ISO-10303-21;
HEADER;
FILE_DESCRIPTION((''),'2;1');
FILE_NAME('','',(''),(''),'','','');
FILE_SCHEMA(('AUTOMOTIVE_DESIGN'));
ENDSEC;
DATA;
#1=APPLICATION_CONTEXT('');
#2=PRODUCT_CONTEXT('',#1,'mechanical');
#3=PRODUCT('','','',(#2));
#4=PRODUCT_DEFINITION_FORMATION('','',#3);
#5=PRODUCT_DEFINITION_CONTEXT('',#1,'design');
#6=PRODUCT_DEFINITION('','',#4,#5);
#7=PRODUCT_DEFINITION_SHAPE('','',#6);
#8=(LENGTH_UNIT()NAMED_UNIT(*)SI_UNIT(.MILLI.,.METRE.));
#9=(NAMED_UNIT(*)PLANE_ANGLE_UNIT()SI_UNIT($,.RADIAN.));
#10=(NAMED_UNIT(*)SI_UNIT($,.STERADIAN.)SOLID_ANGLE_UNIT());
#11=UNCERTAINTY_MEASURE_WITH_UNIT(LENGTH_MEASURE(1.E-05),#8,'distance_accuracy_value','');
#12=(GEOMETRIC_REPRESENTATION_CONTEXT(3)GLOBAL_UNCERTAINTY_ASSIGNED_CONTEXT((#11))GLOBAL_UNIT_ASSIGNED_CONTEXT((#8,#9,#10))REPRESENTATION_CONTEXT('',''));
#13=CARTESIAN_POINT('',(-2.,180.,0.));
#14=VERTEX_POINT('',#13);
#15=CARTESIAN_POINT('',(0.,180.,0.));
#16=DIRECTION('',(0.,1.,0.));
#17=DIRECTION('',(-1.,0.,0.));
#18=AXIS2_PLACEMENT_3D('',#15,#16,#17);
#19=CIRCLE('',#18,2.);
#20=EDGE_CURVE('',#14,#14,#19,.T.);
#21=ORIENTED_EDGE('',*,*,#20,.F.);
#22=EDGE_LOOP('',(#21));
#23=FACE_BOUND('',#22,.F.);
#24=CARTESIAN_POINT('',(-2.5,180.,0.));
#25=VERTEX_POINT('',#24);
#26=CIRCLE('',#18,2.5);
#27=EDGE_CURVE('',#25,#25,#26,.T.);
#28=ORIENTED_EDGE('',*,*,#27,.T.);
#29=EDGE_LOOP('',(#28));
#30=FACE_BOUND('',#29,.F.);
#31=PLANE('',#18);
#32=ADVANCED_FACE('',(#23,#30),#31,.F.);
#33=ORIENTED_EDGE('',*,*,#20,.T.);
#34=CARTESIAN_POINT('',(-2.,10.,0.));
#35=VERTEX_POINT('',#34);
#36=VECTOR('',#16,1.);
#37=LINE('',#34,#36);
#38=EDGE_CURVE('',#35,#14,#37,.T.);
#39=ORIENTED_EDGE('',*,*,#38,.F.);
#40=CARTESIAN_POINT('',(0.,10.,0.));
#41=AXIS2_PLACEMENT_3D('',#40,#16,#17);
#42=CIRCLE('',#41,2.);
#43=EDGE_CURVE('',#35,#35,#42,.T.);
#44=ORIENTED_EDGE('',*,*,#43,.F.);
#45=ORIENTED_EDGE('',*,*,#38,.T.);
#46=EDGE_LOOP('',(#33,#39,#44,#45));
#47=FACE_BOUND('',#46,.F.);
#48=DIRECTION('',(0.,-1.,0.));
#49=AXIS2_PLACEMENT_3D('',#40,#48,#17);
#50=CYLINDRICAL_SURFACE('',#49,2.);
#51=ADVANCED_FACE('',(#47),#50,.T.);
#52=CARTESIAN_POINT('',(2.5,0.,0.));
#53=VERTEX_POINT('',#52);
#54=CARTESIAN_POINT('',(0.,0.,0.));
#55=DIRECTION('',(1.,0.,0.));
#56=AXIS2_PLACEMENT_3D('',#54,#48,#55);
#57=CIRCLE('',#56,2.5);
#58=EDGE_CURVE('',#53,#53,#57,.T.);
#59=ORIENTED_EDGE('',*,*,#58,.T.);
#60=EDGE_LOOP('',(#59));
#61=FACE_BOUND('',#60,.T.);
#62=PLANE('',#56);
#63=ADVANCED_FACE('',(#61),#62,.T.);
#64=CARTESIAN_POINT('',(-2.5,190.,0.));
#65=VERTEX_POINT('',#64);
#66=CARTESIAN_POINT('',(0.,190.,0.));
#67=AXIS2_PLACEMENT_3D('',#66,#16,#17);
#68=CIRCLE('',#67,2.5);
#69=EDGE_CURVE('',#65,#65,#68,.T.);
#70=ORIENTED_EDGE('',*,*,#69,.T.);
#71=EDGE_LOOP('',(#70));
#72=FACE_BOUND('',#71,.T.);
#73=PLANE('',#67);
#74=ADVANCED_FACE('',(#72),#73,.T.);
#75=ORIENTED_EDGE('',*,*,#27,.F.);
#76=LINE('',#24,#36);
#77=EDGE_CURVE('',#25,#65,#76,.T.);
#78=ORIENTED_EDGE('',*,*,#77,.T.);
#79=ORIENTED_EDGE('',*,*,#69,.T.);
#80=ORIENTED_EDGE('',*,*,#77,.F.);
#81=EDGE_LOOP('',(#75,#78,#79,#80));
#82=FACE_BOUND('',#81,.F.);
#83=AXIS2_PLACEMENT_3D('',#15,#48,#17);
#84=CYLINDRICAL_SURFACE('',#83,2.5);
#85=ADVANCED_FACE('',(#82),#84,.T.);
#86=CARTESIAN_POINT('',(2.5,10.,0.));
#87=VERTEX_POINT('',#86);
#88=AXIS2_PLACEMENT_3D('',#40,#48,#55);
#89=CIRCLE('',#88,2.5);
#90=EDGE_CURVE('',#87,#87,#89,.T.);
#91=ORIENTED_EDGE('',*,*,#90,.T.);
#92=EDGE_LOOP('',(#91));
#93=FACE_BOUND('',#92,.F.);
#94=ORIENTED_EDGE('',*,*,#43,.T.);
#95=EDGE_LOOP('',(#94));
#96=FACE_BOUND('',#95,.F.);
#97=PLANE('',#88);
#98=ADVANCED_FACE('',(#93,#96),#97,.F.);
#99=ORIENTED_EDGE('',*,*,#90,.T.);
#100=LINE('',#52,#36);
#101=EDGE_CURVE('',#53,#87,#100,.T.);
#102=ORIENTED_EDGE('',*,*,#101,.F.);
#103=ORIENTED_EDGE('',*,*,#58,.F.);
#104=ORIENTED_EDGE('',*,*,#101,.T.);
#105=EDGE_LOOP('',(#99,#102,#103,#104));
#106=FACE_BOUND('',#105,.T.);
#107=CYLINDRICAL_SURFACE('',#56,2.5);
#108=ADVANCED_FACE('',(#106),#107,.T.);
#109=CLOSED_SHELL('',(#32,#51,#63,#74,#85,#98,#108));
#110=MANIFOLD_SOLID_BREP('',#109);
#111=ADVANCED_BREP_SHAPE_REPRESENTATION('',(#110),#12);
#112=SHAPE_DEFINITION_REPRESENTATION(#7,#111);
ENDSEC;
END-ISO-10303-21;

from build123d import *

# Parameters (mm, degrees)
F0_R     = 2.5
F1_DEPTH = 10
F2_R     = 2
F3_DEPTH = 170
F4_R     = 2.5
F4_R_2   = 2
F5_DEPTH = 10


with BuildPart() as f1:
    # F0 (on Front) → F1 (new body)
    with BuildSketch(Plane.XZ):
        Circle(F0_R)
    extrude(amount=-F1_DEPTH)

    # F2 (on face) → F3 (join)
    with BuildSketch(Plane(origin=(0, 10, 0), x_dir=(-1, 0, 0), z_dir=(0, 1, 0))):
        Circle(F2_R)
    extrude(amount=F3_DEPTH)

    # F4 (on face) → F5 (join)
    with BuildSketch(Plane(origin=(0, 180, 0), x_dir=(-1, 0, 0), z_dir=(0, 1, 0))):
        Circle(F4_R)
        Circle(F4_R_2, mode=Mode.SUBTRACT)
        Circle(F4_R_2)
    extrude(amount=F5_DEPTH)


solid = f1.part
